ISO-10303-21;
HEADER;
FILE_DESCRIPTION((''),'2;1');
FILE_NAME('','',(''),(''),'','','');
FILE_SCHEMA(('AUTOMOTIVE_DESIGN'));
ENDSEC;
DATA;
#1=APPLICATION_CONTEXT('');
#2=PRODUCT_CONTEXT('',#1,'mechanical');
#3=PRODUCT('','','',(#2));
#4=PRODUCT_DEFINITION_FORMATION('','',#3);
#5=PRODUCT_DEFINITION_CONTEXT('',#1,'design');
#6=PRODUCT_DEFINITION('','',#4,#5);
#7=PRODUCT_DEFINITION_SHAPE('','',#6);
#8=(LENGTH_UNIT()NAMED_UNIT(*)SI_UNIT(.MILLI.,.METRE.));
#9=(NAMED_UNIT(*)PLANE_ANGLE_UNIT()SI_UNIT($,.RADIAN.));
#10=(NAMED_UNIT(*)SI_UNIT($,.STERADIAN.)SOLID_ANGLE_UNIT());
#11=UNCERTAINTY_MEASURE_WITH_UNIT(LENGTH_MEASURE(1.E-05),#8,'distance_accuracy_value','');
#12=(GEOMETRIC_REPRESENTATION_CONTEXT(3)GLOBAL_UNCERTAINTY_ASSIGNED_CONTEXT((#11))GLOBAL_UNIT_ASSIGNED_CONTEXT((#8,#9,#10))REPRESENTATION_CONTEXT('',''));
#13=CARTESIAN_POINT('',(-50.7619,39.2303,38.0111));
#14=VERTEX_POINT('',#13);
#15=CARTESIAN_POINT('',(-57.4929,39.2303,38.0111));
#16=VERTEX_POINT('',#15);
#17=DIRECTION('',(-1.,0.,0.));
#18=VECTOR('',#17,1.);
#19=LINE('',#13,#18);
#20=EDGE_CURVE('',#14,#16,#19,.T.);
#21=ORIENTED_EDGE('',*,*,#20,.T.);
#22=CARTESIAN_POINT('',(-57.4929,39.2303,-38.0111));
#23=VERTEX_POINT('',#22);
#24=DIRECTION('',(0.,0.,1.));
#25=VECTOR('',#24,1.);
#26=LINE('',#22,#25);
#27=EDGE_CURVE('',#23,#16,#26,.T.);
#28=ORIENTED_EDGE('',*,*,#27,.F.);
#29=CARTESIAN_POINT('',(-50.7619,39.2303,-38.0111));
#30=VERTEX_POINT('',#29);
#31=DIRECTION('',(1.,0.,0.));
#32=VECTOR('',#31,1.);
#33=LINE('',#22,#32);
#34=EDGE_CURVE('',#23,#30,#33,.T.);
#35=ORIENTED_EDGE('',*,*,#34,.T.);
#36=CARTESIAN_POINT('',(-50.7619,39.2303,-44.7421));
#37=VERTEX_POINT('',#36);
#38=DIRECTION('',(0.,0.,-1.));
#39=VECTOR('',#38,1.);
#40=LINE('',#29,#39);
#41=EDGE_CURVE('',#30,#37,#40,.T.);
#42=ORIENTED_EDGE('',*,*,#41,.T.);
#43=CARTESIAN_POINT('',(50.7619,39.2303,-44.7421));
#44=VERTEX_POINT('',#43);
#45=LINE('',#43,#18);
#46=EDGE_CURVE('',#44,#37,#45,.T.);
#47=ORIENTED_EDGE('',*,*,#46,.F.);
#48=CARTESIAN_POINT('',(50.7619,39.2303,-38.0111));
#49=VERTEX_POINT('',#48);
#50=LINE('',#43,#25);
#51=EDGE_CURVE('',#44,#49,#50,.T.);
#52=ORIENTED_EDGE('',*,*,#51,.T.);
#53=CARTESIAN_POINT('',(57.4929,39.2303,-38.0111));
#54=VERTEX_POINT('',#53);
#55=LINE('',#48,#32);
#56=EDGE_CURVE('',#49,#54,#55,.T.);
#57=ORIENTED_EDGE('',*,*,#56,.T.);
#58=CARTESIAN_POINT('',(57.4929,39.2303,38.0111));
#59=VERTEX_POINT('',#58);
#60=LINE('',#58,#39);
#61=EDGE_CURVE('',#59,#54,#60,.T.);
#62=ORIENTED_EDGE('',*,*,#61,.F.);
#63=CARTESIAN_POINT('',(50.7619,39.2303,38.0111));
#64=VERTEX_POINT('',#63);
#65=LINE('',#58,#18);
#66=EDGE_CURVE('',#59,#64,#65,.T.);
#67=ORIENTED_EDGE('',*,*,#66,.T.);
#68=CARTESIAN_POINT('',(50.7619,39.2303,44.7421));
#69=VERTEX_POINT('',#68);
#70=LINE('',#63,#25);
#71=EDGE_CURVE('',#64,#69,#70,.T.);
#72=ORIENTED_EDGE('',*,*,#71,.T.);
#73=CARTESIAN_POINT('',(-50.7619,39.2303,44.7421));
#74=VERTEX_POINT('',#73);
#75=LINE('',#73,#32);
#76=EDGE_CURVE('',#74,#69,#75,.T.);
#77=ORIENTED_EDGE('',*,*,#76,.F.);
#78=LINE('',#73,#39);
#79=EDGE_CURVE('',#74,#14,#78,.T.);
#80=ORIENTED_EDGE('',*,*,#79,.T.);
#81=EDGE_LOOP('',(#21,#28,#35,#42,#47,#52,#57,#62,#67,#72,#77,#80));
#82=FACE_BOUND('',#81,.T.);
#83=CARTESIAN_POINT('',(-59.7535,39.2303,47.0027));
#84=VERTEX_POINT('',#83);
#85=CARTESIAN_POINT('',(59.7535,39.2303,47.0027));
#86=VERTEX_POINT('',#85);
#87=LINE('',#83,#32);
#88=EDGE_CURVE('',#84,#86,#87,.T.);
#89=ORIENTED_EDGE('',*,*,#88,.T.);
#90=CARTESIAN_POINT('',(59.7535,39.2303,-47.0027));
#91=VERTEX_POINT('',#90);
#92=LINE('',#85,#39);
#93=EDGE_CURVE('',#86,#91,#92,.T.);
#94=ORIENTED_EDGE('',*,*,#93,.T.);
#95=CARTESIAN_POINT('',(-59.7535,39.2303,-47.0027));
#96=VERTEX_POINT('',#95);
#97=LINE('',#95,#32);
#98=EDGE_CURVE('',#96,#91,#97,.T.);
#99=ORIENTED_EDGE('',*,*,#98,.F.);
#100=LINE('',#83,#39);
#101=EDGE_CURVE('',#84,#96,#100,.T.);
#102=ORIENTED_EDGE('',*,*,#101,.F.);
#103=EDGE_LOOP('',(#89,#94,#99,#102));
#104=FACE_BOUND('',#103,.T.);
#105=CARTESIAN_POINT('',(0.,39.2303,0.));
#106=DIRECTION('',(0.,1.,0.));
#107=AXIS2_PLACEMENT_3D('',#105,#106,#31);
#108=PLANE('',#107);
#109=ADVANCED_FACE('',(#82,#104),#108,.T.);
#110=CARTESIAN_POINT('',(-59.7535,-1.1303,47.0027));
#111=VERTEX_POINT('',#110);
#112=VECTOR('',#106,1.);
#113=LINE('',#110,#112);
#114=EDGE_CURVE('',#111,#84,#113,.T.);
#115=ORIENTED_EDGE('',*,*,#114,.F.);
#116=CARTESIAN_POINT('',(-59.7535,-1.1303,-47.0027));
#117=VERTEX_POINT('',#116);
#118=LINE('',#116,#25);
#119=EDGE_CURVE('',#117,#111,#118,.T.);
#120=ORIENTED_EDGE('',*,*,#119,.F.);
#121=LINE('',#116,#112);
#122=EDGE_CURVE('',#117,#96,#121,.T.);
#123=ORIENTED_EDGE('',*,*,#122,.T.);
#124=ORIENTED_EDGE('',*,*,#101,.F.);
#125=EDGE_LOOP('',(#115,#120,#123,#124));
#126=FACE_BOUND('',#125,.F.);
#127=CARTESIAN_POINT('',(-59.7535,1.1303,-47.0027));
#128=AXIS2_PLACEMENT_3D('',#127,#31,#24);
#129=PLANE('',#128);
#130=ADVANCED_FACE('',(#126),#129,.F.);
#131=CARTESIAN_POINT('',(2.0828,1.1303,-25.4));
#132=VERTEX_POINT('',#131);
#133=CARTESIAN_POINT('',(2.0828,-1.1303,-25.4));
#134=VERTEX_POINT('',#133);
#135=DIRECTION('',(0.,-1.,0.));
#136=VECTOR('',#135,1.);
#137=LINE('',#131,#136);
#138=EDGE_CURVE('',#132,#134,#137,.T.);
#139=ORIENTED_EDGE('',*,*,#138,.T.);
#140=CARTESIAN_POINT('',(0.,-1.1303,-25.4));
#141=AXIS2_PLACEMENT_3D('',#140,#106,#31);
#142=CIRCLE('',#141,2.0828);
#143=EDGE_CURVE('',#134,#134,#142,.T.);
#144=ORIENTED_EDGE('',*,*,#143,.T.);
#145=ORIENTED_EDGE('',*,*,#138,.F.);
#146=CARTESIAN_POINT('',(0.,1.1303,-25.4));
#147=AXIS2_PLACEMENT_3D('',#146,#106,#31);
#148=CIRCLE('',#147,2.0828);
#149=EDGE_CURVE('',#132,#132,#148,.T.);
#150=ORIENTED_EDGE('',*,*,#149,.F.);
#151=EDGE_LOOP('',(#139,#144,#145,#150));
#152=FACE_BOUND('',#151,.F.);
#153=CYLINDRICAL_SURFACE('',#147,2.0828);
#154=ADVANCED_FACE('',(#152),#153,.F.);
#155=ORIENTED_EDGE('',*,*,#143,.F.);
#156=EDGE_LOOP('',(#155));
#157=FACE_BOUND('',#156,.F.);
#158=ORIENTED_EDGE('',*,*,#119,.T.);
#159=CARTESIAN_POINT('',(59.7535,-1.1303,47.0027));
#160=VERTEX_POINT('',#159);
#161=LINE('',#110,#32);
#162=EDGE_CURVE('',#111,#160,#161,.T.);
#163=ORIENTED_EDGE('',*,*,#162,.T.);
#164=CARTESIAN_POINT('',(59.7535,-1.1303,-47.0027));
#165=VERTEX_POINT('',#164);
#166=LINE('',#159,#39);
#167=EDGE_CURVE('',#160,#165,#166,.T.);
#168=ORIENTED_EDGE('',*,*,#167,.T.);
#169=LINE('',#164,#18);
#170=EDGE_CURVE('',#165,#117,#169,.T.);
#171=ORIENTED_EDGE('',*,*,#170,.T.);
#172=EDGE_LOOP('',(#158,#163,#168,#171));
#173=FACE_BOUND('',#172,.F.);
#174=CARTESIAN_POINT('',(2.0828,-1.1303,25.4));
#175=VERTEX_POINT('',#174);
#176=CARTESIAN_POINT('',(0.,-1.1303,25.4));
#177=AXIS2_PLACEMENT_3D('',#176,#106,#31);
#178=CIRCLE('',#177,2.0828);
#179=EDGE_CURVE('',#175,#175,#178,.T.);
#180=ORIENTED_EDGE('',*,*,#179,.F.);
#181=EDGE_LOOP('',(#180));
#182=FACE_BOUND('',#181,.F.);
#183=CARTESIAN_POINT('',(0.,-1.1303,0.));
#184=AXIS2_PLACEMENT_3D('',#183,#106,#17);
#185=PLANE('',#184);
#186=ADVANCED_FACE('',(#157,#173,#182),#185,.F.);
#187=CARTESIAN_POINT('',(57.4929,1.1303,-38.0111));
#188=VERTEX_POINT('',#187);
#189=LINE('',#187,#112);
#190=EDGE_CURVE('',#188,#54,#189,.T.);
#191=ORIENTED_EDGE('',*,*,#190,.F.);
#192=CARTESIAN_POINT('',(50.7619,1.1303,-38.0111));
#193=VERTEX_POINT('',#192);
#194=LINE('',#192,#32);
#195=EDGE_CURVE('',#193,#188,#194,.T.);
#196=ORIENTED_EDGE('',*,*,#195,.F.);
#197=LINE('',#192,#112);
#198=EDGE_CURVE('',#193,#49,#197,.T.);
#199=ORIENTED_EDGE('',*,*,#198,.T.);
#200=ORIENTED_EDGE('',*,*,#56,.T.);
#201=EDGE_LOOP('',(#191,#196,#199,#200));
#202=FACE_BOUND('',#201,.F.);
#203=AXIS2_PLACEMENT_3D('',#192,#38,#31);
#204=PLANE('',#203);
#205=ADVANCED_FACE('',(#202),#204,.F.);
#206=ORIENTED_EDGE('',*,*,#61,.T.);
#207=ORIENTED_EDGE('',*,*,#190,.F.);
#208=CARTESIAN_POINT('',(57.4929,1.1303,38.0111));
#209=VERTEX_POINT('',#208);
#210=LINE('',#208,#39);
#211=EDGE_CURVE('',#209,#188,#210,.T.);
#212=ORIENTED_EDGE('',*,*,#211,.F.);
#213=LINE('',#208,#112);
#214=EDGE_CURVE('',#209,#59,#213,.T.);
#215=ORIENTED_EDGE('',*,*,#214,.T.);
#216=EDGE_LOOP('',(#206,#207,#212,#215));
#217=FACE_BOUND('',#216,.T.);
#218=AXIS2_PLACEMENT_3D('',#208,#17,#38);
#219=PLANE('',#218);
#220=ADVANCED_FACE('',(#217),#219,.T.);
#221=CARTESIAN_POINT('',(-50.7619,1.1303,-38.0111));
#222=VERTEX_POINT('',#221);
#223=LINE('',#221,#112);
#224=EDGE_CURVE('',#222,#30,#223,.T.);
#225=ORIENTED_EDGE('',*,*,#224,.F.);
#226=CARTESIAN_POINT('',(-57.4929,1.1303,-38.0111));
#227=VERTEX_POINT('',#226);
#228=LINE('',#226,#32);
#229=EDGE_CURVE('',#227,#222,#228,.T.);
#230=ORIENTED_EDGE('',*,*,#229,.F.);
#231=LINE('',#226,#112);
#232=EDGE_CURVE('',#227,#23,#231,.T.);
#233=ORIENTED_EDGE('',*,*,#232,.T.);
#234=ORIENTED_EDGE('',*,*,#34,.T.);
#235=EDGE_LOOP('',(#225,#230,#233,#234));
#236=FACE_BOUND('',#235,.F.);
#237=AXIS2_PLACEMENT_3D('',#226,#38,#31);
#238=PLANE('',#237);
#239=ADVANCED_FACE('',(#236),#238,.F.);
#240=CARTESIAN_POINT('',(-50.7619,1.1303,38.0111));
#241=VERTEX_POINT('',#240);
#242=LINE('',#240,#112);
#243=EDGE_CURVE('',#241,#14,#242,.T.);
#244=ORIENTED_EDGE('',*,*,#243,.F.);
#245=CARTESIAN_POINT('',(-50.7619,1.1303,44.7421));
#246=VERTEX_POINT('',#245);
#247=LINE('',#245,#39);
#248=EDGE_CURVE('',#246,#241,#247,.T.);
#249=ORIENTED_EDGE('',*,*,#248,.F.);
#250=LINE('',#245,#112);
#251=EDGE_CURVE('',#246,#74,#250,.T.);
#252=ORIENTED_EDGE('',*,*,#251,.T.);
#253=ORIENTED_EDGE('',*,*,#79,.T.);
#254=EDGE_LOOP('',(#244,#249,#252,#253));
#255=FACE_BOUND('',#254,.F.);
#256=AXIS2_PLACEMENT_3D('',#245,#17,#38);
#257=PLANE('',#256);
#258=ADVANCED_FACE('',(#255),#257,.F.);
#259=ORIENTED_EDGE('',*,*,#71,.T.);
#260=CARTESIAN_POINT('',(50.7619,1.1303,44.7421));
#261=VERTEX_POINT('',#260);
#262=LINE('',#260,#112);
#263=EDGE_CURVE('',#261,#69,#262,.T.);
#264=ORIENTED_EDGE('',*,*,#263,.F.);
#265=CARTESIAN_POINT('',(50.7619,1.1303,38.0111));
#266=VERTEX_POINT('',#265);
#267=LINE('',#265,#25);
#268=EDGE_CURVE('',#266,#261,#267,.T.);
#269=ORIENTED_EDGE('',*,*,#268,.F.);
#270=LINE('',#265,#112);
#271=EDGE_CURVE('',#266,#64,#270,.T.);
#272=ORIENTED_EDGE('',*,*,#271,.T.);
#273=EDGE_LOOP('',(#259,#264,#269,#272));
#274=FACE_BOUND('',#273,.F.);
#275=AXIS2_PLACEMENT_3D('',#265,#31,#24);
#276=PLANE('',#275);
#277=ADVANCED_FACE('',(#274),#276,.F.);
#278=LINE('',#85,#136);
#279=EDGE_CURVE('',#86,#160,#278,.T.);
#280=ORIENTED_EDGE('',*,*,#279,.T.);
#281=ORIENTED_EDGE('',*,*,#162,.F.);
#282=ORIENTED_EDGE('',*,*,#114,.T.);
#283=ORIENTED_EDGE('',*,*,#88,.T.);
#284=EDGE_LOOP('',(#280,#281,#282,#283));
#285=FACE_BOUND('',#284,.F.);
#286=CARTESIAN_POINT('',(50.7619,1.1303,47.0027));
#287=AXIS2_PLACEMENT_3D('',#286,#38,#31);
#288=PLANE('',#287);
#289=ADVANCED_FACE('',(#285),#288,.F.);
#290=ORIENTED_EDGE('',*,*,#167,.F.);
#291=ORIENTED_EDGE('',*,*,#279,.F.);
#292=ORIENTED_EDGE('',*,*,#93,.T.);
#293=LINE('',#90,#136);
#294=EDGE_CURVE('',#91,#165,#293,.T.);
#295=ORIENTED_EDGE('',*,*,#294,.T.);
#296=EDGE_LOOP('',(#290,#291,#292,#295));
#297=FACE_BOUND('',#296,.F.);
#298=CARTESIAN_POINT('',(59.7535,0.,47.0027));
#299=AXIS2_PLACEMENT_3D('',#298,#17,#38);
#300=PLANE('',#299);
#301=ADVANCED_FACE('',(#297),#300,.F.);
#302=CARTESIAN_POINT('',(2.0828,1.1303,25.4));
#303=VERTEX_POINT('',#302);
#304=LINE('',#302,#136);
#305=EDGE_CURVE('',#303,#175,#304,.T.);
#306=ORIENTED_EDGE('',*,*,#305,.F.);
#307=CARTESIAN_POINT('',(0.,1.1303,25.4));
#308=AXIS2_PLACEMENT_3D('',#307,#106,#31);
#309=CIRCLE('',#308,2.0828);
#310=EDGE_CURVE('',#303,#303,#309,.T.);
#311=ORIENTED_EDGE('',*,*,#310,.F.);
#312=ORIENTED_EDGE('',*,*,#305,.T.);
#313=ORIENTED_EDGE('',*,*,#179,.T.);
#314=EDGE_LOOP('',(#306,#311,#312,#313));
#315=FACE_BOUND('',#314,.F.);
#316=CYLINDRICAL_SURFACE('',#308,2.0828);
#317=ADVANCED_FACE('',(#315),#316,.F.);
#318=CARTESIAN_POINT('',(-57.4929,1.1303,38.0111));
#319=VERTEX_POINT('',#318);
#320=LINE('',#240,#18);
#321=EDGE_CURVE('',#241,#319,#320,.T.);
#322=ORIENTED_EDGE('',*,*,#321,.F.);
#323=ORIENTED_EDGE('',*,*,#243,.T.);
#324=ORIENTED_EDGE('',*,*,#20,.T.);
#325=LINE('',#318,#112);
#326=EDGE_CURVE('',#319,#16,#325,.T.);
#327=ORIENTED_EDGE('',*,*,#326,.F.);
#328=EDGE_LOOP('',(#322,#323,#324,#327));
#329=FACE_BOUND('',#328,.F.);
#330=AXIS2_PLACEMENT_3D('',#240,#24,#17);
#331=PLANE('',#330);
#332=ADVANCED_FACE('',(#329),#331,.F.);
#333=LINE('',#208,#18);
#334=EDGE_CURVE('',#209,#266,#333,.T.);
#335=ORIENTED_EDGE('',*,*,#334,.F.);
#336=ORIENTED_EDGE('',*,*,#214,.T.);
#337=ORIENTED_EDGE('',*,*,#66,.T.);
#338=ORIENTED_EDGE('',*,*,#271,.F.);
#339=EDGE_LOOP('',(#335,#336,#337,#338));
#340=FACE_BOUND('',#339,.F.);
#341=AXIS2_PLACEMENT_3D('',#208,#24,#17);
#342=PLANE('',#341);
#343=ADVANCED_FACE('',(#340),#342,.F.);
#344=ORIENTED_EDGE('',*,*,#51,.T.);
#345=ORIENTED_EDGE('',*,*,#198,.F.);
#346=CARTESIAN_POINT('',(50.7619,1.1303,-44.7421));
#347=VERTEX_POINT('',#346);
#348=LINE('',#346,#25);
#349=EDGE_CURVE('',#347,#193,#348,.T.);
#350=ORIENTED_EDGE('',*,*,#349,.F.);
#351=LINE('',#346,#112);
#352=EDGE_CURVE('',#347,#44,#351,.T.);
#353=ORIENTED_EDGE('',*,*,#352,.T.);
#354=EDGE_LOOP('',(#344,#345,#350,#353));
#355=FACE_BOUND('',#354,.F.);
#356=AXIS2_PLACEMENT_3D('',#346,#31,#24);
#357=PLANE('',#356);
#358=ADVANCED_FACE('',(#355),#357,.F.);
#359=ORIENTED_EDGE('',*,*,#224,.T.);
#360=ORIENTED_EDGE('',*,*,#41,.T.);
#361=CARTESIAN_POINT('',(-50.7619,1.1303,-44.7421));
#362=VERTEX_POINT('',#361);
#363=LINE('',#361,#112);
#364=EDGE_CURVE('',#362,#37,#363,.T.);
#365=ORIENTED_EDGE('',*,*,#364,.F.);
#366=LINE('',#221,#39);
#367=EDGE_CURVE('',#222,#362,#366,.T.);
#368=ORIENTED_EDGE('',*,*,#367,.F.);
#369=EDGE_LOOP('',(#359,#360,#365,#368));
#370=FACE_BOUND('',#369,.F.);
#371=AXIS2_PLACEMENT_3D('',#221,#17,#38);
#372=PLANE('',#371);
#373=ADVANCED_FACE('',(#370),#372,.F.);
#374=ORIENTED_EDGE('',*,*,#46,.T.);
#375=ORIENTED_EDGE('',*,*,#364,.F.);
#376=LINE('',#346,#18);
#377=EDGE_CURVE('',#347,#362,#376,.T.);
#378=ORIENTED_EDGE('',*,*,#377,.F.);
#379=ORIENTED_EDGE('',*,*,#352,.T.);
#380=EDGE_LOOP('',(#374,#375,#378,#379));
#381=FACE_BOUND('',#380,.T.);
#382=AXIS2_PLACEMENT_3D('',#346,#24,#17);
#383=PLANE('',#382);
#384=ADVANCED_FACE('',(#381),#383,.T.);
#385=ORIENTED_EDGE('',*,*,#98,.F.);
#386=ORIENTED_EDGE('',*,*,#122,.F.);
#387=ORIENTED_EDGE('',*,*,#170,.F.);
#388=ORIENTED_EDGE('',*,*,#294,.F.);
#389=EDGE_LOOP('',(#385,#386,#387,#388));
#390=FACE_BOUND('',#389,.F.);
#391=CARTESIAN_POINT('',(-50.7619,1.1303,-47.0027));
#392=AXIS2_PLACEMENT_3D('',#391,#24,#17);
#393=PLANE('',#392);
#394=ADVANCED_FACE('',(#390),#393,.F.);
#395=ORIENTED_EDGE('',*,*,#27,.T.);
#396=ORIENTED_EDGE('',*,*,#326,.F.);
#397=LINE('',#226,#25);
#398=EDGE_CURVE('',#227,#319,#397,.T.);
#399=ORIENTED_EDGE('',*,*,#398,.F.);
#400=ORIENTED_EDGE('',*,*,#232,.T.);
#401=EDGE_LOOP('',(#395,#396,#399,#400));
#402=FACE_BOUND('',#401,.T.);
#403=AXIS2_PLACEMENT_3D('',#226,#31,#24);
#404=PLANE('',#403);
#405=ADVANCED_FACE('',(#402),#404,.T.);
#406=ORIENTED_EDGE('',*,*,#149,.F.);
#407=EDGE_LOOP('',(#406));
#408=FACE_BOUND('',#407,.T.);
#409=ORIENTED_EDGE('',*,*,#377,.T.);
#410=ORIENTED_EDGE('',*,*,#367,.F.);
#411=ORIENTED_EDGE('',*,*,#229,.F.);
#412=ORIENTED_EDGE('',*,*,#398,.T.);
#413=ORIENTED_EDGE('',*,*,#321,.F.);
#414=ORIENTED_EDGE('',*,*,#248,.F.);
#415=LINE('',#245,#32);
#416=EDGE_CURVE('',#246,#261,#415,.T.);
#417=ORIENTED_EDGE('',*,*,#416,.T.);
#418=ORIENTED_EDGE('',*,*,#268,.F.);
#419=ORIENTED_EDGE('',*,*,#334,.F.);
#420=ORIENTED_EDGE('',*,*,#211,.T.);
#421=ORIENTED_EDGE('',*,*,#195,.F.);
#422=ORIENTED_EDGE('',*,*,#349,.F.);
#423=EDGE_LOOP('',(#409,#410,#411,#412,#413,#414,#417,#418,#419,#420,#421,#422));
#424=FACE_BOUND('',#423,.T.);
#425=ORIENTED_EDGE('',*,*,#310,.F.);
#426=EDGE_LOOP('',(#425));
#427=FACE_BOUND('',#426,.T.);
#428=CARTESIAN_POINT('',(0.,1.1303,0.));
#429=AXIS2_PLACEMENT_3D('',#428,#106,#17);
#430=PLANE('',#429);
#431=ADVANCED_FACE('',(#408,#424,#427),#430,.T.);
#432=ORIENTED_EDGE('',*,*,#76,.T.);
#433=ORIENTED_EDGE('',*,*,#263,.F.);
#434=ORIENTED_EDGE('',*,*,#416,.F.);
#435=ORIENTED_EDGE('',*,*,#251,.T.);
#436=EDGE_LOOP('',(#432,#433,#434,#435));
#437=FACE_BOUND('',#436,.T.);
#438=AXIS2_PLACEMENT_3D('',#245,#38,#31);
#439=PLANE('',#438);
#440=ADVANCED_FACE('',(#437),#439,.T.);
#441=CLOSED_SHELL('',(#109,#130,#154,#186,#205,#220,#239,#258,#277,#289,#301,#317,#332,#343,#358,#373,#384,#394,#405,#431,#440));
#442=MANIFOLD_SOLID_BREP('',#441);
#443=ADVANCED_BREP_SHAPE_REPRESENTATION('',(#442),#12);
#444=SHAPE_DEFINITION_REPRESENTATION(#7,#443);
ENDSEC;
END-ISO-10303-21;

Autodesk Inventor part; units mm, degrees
ref_plane "YZ Plane" through (0, 0, 0) normal (1, 0, 0) x (0, 1, 0)
ref_plane "XZ Plane" through (0, 0, 0) normal (0, 1, 0) x (-1, 0, 0)
ref_plane "XY Plane" through (0, 0, 0) normal (0, 0, 1) x (1, 0, 0)
sketch "Sketch1" plane through (0, 0, 0) normal (0, 1, 0) x (-1, 0, 0)
  line L0 (-59.7535, -47.0027) -> (59.7535, -47.0027)
  line L1 (59.7535, -47.0027) -> (59.7535, 47.0027)
  line L2 (59.7535, 47.0027) -> (-59.7535, 47.0027)
  line L3 (-59.7535, 47.0027) -> (-59.7535, -47.0027)
  line L4 (-59.7535, -47.0027) -> (59.7535, 47.0027) construction
  line L5 (59.7535, -47.0027) -> (-59.7535, 47.0027) construction
  point P0 (0, 0)
  dimension "d0" = 119.507
  dimension "d1" = 94.0054
extrude "Extrusion1" add sketch "Sketch1" along normal mid plane 2.2606
sketch "Sketch2" plane through (0, 1.1303, 0) normal (0, 1, 0) x (1, 0, 0)
  line L0 (-59.7535, 47.0027) -> (-59.7535, -47.0027) projected
  line L1 (59.7535, -47.0027) -> (59.7535, 47.0027) projected
  line L2 (-59.7535, -47.0027) -> (59.7535, -47.0027)
  line L3 (59.7535, -47.0027) -> (59.7535, 47.0027)
  line L4 (59.7535, 47.0027) -> (-59.7535, 47.0027)
  line L5 (-59.7535, 47.0027) -> (-59.7535, -47.0027)
  line L6 (57.4929, -44.7421) -> (-57.4929, 44.7421) construction
  line L7 (-57.4929, -44.7421) -> (57.4929, 44.7421) construction
  line L8 (-59.7535, -47.0027) -> (59.7535, -47.0027) projected
  line L9 (-59.7535, -47.0027) -> (-50.7619, -47.0027)
  line L10 (-59.7535, -38.0111) -> (-59.7535, -47.0027)
  line L11 (-59.7535, 47.0027) -> (-50.7619, 47.0027)
  line L12 (-59.7535, 38.0111) -> (-59.7535, 47.0027)
  line L13 (59.7535, 47.0027) -> (-59.7535, 47.0027) projected
  line L14 (59.7535, 47.0027) -> (50.7619, 47.0027)
  line L15 (59.7535, 38.0111) -> (59.7535, 47.0027)
  line L16 (59.7535, -47.0027) -> (50.7619, -47.0027)
  line L17 (59.7535, -38.0111) -> (59.7535, -47.0027)
  line L18 (-50.7619, -44.7421) -> (-50.7619, -38.0111)
  line L19 (-50.7619, -38.0111) -> (-57.4929, -38.0111)
  line L20 (-57.4929, 38.0111) -> (-50.7619, 38.0111)
  line L21 (-50.7619, 38.0111) -> (-50.7619, 44.7421)
  line L22 (50.7619, 38.0111) -> (57.4929, 38.0111)
  line L23 (50.7619, 44.7421) -> (50.7619, 38.0111)
  line L24 (57.4929, -38.0111) -> (50.7619, -38.0111)
  line L25 (50.7619, -38.0111) -> (50.7619, -44.7421)
  line L26 (-50.7619, -44.7421) -> (50.7619, -44.7421)
  line L27 (57.4929, -38.0111) -> (57.4929, 38.0111)
  line L28 (50.7619, 44.7421) -> (-50.7619, 44.7421)
  line L29 (-57.4929, 38.0111) -> (-57.4929, -38.0111)
  point P0 (0, 0)
  dimension "d4" = 114.9858
  dimension "d5" = 89.4842
  dimension "d6" = 8.9916
  dimension "d7" = 8.9916
  dimension "d10" = 8.9916
  dimension "d11" = 8.9916
extrude "Extrusion2" add sketch "Sketch2" along normal blind 38.1
sketch "Sketch3" plane through (0, 1.1303, 0) normal (0, 1, 0) x (1, 0, 0)
  circle A0 centre (0, -25.4) radius 2.0828
  circle A1 centre (0, 25.4) radius 2.0828
  point P0 (0, 0)
  dimension "d18" = 4.1656
  dimension "d19" = 4.1656
extrude "Extrusion3" cut sketch "Sketch3" against normal through all
properties part number "546-1590BBS-4.7x3.7-Enclosure"
